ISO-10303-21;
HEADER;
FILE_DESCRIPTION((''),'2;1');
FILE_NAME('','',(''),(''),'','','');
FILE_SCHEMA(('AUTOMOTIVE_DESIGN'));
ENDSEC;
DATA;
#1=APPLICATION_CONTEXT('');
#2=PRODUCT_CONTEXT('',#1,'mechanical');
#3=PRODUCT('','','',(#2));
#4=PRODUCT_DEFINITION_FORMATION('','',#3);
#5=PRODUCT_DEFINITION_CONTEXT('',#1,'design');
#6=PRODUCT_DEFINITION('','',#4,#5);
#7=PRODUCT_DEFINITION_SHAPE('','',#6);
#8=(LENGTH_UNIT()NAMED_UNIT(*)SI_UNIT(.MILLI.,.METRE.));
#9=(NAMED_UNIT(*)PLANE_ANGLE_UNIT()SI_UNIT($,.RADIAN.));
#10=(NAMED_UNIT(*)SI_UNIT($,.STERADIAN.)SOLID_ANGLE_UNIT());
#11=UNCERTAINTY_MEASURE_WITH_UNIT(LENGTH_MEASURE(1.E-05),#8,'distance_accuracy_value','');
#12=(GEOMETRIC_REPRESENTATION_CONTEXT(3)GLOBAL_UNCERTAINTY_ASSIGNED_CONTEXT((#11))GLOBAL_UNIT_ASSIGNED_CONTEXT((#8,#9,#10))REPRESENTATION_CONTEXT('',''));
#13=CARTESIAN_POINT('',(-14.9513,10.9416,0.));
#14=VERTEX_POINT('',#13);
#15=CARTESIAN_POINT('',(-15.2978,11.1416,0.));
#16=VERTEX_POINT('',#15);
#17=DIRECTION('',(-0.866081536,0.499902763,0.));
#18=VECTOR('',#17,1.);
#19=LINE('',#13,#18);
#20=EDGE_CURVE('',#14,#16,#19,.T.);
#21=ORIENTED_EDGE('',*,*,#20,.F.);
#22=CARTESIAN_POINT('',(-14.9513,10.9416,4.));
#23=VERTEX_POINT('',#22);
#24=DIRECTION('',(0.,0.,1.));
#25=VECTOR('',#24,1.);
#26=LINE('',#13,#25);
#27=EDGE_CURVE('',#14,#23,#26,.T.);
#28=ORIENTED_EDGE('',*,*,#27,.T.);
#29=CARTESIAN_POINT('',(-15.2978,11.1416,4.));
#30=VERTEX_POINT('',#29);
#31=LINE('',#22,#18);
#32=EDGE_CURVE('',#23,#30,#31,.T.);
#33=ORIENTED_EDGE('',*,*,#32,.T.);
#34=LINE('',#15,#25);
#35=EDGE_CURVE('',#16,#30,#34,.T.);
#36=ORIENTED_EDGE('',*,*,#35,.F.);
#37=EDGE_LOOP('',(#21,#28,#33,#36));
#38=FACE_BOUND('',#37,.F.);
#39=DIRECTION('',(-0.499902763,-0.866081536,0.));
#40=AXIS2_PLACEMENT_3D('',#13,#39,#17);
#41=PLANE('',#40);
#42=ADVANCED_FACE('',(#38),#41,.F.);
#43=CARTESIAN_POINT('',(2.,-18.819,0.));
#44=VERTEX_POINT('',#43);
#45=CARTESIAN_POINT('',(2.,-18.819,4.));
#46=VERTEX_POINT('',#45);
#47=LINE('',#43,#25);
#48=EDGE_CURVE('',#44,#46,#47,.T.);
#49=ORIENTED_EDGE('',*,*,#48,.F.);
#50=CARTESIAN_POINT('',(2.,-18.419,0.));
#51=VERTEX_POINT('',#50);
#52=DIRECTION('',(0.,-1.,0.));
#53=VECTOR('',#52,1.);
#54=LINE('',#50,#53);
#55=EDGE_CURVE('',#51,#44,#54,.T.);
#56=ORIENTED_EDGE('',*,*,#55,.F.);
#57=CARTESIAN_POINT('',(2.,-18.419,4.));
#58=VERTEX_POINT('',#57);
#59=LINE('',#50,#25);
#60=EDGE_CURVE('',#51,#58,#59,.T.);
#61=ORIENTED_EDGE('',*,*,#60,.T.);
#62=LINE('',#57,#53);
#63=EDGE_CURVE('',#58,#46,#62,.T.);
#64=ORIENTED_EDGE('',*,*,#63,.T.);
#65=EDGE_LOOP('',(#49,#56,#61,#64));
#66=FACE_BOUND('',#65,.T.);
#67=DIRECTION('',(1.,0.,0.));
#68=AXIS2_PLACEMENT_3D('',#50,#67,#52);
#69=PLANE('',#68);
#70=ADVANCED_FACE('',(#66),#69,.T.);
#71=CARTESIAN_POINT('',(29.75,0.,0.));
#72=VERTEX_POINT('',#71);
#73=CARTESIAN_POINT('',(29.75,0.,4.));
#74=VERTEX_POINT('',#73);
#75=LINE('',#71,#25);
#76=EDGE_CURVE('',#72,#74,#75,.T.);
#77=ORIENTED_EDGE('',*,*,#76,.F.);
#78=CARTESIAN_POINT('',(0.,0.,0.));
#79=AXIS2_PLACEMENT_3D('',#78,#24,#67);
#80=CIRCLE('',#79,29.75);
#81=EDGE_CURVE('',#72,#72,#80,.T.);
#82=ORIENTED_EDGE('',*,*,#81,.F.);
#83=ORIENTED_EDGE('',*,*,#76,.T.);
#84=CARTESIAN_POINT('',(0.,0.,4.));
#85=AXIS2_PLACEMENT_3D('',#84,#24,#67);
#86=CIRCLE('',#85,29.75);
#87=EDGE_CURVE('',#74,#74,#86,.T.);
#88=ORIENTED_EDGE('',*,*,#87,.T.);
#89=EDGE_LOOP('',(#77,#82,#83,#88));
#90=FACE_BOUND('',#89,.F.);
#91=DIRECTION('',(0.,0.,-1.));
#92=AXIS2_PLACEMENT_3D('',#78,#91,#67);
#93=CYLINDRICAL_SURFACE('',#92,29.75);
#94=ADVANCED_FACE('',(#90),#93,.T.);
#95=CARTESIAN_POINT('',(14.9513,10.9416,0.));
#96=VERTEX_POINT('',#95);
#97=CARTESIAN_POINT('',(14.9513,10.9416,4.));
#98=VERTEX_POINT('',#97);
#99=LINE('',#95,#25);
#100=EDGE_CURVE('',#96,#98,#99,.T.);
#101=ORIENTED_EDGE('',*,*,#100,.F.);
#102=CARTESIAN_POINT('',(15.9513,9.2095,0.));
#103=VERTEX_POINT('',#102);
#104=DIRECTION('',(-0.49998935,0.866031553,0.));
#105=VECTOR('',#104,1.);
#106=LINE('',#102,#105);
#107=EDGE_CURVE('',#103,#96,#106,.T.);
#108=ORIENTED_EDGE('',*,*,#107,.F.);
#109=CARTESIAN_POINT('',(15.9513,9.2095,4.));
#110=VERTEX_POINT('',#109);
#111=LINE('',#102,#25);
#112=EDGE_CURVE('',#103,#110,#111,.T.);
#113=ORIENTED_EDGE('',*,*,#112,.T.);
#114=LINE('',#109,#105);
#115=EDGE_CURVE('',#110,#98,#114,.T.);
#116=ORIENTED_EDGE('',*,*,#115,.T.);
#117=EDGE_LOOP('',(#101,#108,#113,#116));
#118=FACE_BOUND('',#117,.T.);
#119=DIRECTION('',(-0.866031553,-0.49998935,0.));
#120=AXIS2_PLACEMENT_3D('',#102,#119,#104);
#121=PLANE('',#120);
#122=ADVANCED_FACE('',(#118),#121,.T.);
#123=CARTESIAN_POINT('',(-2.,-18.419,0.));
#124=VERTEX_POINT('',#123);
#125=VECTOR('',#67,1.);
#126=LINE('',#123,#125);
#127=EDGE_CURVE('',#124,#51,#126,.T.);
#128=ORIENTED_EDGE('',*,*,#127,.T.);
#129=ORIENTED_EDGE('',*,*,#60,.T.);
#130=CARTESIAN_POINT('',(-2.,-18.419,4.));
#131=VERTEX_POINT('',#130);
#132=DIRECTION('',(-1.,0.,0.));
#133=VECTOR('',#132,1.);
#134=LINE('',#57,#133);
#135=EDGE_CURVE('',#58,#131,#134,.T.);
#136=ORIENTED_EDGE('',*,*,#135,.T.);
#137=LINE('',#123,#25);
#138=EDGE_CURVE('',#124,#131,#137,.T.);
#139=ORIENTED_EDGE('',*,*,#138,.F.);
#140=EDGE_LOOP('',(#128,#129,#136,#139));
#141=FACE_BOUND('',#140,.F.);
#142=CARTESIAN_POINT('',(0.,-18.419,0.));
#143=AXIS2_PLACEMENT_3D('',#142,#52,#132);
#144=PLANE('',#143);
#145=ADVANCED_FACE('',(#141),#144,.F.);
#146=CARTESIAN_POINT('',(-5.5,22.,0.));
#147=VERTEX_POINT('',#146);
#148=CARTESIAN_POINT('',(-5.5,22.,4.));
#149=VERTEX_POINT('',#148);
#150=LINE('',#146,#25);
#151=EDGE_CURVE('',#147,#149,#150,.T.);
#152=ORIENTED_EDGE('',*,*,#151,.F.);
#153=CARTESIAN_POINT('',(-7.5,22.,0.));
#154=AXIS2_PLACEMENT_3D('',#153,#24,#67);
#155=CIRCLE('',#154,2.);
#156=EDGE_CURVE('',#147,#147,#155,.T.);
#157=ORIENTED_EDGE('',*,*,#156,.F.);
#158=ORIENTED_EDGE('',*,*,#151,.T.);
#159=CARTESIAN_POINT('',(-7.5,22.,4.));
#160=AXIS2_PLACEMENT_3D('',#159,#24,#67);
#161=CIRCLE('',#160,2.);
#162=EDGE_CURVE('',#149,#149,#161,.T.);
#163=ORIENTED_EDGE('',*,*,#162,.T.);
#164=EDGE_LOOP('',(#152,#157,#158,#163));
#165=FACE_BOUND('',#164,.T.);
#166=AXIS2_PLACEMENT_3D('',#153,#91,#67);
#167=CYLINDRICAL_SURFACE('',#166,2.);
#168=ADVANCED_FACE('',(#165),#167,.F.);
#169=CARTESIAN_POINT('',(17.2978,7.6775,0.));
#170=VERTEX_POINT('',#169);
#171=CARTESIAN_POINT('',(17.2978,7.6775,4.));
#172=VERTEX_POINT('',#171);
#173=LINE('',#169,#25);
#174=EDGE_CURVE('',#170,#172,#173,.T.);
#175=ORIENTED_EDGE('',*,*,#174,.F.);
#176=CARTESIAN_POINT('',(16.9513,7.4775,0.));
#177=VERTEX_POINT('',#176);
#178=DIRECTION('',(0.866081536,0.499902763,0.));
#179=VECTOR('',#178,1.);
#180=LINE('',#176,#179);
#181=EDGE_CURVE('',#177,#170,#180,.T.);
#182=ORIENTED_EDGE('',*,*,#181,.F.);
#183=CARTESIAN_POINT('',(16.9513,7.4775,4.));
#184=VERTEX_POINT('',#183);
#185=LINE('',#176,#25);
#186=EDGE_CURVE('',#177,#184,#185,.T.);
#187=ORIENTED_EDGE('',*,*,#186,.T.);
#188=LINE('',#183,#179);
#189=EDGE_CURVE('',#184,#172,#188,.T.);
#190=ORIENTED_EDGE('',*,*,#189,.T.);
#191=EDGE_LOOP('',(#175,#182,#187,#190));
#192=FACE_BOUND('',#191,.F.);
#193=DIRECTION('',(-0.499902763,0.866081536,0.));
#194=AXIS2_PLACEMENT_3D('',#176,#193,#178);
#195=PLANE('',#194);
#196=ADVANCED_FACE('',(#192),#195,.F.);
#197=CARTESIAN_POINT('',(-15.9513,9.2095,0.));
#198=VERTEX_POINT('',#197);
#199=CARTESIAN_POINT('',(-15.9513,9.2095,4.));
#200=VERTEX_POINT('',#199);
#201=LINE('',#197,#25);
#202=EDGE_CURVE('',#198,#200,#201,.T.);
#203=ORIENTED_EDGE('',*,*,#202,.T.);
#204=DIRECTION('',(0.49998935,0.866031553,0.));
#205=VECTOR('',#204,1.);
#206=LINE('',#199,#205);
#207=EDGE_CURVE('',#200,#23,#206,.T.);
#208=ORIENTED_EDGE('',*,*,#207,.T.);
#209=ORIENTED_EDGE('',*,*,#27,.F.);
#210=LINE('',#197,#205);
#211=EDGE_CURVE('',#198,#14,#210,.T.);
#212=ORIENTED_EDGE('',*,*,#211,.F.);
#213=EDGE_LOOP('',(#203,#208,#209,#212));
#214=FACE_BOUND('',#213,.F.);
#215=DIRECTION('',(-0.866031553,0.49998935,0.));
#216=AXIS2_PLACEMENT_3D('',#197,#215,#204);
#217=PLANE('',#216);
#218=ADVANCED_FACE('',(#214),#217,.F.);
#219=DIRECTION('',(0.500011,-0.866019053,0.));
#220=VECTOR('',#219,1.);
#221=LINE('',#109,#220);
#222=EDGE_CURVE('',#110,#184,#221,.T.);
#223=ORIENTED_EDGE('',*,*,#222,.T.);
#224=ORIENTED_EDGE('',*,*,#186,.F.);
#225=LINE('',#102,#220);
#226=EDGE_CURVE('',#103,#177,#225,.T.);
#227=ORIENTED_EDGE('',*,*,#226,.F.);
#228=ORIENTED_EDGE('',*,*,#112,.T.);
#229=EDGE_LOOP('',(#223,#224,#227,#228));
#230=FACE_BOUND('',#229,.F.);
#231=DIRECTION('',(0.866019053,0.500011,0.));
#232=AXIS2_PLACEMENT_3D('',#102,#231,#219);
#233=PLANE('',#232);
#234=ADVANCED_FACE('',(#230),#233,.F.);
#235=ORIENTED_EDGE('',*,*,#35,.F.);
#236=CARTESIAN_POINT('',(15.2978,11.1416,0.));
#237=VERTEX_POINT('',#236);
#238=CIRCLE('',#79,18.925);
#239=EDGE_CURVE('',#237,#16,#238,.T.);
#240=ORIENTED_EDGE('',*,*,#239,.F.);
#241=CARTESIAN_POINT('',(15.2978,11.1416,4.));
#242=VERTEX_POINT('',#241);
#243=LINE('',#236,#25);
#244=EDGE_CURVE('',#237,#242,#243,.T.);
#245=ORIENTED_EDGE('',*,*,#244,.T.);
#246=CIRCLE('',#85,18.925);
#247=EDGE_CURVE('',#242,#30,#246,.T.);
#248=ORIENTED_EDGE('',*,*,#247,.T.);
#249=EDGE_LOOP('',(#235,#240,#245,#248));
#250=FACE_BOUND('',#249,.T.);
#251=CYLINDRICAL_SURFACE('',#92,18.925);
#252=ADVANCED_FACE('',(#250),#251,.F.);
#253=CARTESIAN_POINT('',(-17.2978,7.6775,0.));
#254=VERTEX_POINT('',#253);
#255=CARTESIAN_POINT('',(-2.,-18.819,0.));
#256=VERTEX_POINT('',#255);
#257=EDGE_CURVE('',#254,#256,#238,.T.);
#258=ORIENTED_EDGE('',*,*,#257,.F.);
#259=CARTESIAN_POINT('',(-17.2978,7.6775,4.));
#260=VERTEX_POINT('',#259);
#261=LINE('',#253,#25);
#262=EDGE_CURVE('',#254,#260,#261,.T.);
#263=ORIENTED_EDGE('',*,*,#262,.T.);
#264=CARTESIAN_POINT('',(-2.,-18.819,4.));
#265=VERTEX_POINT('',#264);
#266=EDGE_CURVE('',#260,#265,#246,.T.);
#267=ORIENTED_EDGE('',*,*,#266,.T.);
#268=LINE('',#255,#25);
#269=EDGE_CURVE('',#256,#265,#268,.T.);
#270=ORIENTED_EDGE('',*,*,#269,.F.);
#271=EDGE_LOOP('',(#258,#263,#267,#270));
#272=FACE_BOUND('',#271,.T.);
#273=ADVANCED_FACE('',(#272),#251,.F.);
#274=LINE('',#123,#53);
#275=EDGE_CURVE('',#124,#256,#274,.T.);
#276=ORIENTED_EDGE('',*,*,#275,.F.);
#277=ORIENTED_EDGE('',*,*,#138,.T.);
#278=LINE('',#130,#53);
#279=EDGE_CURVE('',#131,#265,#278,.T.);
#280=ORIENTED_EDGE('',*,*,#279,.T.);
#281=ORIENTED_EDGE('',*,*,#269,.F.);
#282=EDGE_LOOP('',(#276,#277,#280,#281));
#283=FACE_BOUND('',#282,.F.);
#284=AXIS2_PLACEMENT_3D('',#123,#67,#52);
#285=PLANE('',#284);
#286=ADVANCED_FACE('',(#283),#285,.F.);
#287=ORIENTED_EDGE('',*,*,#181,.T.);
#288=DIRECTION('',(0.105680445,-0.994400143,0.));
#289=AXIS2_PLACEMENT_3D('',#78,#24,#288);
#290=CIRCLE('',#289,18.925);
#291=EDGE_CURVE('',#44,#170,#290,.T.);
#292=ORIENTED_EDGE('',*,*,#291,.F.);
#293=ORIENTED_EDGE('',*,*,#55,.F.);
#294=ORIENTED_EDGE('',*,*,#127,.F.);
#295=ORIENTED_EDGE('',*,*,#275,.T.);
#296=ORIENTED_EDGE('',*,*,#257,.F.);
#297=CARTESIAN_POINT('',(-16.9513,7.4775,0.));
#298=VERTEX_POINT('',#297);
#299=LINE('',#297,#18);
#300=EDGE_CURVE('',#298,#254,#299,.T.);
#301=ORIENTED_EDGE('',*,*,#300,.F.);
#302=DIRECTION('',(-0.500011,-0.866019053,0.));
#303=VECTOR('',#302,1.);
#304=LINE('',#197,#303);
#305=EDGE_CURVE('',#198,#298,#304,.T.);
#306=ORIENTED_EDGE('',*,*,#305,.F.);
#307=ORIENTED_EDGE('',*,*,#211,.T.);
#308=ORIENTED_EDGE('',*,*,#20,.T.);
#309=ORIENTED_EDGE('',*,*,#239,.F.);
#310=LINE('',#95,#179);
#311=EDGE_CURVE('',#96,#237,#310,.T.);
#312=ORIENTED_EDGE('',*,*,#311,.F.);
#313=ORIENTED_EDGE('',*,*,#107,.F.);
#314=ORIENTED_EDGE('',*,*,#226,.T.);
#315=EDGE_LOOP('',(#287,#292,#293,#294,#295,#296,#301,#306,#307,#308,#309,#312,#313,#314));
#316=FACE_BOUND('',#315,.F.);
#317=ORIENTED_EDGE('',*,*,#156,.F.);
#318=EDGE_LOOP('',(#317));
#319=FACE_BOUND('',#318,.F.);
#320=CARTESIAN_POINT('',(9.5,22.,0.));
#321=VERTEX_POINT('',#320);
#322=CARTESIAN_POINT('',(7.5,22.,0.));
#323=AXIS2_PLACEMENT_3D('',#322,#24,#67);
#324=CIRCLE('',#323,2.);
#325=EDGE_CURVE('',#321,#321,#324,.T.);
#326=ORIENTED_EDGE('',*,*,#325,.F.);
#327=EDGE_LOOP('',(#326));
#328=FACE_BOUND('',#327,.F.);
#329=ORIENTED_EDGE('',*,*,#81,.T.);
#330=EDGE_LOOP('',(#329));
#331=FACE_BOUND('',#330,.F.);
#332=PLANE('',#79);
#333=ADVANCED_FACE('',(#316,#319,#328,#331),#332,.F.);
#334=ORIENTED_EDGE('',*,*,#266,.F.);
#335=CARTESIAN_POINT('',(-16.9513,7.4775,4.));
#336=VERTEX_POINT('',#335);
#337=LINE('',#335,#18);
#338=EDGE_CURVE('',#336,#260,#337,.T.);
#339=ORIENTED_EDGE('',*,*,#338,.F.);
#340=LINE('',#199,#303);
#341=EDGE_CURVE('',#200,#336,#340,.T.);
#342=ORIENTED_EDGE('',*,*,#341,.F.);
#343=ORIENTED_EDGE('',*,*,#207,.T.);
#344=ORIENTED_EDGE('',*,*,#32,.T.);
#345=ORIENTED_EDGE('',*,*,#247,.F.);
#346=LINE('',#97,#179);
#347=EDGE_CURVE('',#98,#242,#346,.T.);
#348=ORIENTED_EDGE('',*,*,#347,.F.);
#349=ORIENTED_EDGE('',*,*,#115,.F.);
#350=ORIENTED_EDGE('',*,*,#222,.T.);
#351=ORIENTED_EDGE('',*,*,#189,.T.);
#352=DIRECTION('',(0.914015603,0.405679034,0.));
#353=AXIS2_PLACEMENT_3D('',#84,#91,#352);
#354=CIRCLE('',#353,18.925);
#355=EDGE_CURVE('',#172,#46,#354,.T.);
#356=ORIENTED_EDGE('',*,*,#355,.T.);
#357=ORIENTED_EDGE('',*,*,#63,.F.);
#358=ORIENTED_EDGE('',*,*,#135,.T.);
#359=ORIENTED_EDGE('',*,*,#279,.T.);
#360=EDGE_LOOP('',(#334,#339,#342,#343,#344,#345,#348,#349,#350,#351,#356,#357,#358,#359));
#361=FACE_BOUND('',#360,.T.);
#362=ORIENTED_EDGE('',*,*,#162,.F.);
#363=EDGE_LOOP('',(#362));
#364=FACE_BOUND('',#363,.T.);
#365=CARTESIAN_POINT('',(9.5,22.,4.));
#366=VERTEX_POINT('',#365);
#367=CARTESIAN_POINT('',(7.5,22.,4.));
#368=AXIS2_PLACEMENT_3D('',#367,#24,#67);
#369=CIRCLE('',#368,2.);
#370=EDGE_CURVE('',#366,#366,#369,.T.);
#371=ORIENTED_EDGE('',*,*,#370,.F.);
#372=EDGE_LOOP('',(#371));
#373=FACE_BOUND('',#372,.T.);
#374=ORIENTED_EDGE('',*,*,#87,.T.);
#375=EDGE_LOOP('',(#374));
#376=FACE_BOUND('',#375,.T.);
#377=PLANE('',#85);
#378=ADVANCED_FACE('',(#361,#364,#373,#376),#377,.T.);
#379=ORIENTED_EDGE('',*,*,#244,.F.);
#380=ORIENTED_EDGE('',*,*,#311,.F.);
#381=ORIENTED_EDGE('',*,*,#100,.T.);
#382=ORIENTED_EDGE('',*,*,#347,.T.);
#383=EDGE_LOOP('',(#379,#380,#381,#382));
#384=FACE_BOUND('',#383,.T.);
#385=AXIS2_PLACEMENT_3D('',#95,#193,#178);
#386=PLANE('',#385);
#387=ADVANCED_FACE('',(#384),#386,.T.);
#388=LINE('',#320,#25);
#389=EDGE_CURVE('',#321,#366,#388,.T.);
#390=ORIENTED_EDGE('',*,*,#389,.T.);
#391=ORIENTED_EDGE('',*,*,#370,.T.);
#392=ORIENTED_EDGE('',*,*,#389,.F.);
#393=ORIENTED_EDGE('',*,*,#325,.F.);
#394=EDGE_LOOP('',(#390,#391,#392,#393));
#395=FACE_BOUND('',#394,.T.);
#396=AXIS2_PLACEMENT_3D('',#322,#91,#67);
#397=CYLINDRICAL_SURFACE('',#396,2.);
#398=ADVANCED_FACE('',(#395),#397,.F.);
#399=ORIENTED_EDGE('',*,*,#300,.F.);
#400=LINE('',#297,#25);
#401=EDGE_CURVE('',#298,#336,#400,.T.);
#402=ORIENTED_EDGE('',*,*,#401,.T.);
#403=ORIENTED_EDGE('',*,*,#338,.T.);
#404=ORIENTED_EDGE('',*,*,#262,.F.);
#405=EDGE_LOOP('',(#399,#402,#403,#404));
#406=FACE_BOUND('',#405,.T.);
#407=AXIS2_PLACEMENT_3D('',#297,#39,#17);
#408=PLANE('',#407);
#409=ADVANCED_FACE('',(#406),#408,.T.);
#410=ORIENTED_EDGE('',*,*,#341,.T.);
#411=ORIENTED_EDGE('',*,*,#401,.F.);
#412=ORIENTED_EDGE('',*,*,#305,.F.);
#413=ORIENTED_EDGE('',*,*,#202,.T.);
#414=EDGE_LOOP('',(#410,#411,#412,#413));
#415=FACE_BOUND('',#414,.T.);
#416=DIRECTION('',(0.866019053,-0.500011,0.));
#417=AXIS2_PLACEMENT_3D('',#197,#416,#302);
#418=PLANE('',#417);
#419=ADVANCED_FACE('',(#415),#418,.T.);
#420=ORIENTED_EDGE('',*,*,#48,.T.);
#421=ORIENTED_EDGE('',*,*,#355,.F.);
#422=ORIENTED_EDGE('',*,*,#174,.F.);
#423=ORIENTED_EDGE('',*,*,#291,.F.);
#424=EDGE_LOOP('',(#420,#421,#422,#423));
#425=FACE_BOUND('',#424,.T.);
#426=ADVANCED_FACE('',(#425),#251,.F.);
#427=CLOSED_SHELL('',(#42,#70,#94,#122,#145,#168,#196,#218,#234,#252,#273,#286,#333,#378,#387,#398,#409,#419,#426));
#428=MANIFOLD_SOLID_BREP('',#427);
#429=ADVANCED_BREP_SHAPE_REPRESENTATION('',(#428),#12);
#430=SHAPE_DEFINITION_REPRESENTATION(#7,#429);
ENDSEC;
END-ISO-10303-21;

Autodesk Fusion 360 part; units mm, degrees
sketch "Sketch1" plane through (0, 0, 0) normal (0, 0, 1) x (1, 0, 0)
  circle A0 centre (0, 0) radius 29.75
  circle A1 centre (0, 0) radius 18.925
  line L0 (0, 0) -> (0, 29.75) construction
  circle A2 centre (-7.5, 22) radius 2
  circle A3 centre (7.5, 22) radius 2
  line L1 (0, -18.419) -> (2, -18.419)
  line L2 (2, -18.419) -> (2, -18.819)
  line L3 (0, -18.925) -> (0, -18.419) construction
  line L4 (-2, -18.419) -> (-2, -18.819)
  line L5 (0, -18.419) -> (-2, -18.419)
  line L6 (16.9513, 7.4775) -> (17.2978, 7.6775)
  line L7 (15.9513, 9.2095) -> (16.9513, 7.4775)
  line L8 (15.9513, 9.2095) -> (14.9513, 10.9416)
  line L9 (14.9513, 10.9416) -> (15.2978, 11.1416)
  line L10 (-14.9513, 10.9416) -> (-15.2978, 11.1416)
  line L11 (-15.9513, 9.2095) -> (-14.9513, 10.9416)
  line L12 (-15.9513, 9.2095) -> (-16.9513, 7.4775)
  line L13 (-16.9513, 7.4775) -> (-17.2978, 7.6775)
  dimension "d1" = 59.5
  dimension "d78" = 37.85
  dimension "d131" = 4
  dimension "d132" = 7.5
  dimension "d135" = 2
  dimension "d136" = 0.4
  dimension "d138" = 360
extrude "Extrude16" add sketch "Sketch1" along normal blind 4 contours A0 | A1 L6 L7 L8 L9 | A1 L1 L2 L4 L5 | A1 L10 L11 L12 L13 | A2 | A3
extrude "Extrude17" cut sketch "Sketch1" along normal blind 4 contours A2 | A3
